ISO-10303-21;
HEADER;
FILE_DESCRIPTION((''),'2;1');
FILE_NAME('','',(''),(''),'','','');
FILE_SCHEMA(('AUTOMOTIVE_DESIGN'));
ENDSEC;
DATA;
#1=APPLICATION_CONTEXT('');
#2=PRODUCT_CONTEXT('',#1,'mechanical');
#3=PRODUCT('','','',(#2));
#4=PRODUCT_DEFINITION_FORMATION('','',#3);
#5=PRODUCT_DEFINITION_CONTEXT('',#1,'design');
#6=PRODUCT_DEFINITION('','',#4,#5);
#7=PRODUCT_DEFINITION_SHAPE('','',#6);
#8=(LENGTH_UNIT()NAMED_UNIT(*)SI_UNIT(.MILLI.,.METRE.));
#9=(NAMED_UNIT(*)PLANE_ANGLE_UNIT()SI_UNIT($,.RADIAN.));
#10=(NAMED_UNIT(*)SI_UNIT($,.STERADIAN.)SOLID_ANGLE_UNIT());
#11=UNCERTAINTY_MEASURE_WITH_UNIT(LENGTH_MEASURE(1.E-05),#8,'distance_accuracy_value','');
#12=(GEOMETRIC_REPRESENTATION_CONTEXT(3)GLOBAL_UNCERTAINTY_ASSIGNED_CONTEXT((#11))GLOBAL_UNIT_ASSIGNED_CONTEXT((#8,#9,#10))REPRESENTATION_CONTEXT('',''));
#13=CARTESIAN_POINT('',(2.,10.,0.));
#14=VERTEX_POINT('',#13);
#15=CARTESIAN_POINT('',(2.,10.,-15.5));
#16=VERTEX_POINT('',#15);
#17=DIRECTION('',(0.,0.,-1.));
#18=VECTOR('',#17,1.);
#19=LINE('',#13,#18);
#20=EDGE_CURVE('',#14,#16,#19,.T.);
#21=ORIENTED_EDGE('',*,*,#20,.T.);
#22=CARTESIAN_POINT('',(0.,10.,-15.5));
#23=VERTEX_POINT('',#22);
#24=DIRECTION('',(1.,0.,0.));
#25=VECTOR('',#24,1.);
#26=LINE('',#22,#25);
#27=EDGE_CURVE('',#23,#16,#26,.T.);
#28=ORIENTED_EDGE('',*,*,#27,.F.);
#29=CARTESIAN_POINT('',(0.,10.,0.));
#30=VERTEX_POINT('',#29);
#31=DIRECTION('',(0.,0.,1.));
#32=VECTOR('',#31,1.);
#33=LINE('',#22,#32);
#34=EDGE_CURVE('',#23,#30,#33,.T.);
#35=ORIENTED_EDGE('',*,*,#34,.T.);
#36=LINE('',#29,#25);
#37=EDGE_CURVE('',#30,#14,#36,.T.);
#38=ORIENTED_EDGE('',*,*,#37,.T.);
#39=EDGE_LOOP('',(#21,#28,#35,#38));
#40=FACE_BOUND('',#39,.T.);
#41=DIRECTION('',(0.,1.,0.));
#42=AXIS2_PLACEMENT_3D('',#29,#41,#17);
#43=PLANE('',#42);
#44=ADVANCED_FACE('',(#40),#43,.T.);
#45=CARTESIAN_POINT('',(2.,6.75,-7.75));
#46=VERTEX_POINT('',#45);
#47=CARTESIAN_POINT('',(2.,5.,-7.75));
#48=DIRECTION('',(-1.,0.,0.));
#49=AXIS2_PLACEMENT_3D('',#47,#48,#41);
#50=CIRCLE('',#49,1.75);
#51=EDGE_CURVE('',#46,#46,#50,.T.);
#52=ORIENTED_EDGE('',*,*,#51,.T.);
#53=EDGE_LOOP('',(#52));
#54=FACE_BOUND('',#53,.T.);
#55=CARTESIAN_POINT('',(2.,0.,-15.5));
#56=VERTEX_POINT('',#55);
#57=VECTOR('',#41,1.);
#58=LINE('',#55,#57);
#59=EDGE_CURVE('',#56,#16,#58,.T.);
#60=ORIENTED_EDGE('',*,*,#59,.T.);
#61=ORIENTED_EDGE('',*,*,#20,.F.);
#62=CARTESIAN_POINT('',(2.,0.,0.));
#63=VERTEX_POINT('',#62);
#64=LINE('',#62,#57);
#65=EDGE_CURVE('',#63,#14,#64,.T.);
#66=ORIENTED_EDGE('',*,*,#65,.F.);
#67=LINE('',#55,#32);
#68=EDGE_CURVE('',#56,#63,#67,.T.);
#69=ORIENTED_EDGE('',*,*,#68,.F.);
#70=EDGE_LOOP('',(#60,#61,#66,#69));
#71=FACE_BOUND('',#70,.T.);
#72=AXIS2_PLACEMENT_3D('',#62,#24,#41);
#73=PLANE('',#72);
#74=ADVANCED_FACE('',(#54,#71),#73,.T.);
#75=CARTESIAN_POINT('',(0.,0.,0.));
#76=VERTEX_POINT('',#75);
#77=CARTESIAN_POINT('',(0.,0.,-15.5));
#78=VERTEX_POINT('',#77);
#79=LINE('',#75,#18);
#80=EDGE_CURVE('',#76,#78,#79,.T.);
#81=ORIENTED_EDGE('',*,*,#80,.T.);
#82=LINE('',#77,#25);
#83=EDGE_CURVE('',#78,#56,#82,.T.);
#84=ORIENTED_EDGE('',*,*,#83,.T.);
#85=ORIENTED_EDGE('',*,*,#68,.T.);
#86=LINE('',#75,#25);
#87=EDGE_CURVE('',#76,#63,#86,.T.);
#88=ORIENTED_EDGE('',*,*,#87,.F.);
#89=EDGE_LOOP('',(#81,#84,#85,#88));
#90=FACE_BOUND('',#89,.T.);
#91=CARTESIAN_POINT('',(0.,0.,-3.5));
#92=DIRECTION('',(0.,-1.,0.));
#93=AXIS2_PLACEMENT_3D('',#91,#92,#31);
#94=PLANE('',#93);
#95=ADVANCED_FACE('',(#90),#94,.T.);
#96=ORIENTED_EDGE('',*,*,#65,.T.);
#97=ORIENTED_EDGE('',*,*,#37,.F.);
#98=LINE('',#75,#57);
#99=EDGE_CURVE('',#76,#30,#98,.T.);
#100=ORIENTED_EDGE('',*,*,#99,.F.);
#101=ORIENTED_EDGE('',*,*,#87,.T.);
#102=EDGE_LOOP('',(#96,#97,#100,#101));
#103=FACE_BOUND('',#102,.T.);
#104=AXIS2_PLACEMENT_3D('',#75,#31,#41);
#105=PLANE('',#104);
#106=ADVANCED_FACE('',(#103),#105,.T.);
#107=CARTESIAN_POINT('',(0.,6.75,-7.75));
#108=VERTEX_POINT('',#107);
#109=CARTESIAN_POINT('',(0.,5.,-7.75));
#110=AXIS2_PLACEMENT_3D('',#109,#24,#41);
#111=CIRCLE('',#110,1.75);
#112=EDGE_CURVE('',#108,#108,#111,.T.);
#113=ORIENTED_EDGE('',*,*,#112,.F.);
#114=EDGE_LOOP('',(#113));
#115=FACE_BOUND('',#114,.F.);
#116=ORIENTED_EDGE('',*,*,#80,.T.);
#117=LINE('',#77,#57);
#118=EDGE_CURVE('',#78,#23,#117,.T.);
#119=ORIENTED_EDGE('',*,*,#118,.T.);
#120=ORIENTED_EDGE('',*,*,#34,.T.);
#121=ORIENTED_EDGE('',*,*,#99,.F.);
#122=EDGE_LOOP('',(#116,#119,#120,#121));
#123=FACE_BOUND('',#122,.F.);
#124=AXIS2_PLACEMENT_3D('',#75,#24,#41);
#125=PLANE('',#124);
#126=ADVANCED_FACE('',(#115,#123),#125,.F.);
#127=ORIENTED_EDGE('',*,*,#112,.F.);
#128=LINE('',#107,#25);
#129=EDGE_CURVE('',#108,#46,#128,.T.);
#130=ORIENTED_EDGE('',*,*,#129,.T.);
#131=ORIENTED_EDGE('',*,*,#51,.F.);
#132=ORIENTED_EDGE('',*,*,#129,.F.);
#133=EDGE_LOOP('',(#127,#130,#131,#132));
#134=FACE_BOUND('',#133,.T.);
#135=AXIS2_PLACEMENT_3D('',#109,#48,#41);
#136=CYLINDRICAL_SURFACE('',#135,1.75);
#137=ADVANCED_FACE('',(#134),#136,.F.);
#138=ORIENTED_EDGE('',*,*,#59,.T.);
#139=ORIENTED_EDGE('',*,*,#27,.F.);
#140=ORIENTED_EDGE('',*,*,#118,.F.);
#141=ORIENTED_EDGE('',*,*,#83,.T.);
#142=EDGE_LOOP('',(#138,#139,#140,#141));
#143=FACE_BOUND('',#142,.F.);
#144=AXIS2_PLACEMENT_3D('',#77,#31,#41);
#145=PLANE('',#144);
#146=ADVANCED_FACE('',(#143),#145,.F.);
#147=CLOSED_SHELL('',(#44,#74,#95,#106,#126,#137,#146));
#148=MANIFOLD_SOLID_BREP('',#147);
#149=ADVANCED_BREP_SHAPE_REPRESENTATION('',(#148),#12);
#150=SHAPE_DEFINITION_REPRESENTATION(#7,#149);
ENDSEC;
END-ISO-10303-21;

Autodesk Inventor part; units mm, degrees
ref_plane "YZ Plane" through (0, 0, 0) normal (1, 0, 0) x (0, 1, 0)
ref_plane "XZ Plane" through (0, 0, 0) normal (0, 1, 0) x (-1, 0, 0)
ref_plane "XY Plane" through (0, 0, 0) normal (0, 0, 1) x (1, 0, 0)
sketch "Sketch1" plane through (0, 0, 0) normal (1, 0, 0) x (0, 1, 0)
  line L0 (0, 0) -> (10, 0)
  line L1 (10, 0) -> (10, -3.5)
  line L2 (10, -3.5) -> (0, -3.5)
  line L3 (0, -3.5) -> (0, 0)
  line L4 (10, -3.5) -> (0, -3.5)
  line L5 (0, -3.5) -> (0, -6)
  line L6 (0, -6) -> (10, -6)
  line L7 (10, -6) -> (10, -3.5)
  line L8 (10, -6) -> (0, -6)
  line L9 (0, -6) -> (0, -9.5)
  line L10 (0, -9.5) -> (10, -9.5)
  line L11 (10, -9.5) -> (10, -6)
  line L12 (10, -9.5) -> (0, -9.5)
  line L13 (0, -9.5) -> (0, -12)
  line L14 (0, -12) -> (10, -12)
  line L15 (10, -12) -> (10, -9.5)
  line L16 (10, -12) -> (0, -12)
  line L17 (0, -12) -> (0, -15.5)
  line L18 (0, -15.5) -> (10, -15.5)
  line L19 (10, -15.5) -> (10, -12)
  line L20 (10, -7.75) -> (5, -7.75)
  circle A0 centre (5, -7.75) radius 1.75
  line L21 (6.75, -9.5) -> (3.25, -9.5)
  line L22 (3.25, -9.5) -> (3.25, -6)
  line L23 (3.25, -6) -> (6.75, -6)
  line L24 (6.75, -6) -> (6.75, -9.5)
  line L25 (6.75, -9.5) -> (3.25, -6) construction
  line L26 (3.25, -9.5) -> (6.75, -6) construction
  dimension "d0" = 10
  dimension "d1" = 3.5
  dimension "d2" = 2.5
  dimension "d3" = 3.5
  dimension "d4" = 2.5
  dimension "d5" = 3.5
  dimension "d8" = 3.5
  dimension "d11" = 3.5
extrude "Extrusion1" add sketch "Sketch1" along normal blind 2 contours L0 L1 L2 L3 | L2 L7 L6 L5 | L6 L22 L10 L9 | L11 L20 L24 L6 | L6 A0 L22 | L10 L15 L14 L13 | L24 A0 L6 | L11 L10 L24 L20 | A0 L10 L22 | L14 L19 L18 L17 | L24 L10 A0
properties part number "yellow_plate_screw_grip_2"
